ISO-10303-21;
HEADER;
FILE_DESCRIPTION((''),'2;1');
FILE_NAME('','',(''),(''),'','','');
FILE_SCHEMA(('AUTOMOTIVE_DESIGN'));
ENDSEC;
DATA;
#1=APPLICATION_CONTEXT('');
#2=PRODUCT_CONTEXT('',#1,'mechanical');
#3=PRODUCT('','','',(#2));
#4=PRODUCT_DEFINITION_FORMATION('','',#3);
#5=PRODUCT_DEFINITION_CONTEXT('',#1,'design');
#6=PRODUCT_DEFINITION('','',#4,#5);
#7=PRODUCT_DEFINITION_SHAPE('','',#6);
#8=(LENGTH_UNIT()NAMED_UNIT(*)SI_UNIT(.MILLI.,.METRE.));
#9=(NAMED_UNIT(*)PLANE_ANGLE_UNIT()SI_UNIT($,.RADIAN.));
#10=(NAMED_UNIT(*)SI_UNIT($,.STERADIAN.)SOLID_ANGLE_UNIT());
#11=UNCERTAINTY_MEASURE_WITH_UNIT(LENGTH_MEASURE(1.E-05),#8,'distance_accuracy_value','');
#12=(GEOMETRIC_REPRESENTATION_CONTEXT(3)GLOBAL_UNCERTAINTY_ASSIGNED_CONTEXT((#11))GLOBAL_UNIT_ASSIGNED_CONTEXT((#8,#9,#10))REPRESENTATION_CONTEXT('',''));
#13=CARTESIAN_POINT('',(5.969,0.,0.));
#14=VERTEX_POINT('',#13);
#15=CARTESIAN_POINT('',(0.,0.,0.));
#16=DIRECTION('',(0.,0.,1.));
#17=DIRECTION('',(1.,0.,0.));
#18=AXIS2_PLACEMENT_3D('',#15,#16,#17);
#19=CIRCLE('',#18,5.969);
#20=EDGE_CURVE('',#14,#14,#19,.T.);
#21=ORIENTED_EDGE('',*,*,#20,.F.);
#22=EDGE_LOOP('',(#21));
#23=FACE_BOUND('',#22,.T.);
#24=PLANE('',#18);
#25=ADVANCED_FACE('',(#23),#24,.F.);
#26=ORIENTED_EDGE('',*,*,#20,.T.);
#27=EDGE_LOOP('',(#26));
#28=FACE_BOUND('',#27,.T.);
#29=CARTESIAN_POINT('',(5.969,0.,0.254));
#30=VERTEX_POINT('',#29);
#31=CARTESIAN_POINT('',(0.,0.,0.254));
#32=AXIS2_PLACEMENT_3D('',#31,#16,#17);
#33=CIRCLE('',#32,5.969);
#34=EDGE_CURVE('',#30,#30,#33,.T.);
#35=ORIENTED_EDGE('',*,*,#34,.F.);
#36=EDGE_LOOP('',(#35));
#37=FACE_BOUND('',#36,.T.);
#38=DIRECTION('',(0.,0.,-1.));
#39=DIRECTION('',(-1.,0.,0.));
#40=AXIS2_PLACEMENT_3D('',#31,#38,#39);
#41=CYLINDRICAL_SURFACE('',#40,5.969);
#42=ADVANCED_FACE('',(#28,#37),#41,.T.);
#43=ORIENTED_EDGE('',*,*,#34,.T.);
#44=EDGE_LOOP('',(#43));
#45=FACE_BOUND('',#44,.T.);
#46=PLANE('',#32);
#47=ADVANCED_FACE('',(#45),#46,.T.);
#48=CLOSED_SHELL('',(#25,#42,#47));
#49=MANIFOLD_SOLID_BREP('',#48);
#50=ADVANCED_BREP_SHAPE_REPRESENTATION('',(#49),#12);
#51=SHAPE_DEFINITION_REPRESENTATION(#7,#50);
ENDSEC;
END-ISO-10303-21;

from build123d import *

# Parameters (mm, degrees)
SKETCH1_R           = 5.969
BOSS_EXTRUDE1_DEPTH = 0.254


with BuildPart() as part:
    # Sketch1 → Boss-Extrude1 (new body)
    with BuildSketch(Plane.XY):
        Circle(SKETCH1_R)
    extrude(amount=BOSS_EXTRUDE1_DEPTH)


solid = part.part
